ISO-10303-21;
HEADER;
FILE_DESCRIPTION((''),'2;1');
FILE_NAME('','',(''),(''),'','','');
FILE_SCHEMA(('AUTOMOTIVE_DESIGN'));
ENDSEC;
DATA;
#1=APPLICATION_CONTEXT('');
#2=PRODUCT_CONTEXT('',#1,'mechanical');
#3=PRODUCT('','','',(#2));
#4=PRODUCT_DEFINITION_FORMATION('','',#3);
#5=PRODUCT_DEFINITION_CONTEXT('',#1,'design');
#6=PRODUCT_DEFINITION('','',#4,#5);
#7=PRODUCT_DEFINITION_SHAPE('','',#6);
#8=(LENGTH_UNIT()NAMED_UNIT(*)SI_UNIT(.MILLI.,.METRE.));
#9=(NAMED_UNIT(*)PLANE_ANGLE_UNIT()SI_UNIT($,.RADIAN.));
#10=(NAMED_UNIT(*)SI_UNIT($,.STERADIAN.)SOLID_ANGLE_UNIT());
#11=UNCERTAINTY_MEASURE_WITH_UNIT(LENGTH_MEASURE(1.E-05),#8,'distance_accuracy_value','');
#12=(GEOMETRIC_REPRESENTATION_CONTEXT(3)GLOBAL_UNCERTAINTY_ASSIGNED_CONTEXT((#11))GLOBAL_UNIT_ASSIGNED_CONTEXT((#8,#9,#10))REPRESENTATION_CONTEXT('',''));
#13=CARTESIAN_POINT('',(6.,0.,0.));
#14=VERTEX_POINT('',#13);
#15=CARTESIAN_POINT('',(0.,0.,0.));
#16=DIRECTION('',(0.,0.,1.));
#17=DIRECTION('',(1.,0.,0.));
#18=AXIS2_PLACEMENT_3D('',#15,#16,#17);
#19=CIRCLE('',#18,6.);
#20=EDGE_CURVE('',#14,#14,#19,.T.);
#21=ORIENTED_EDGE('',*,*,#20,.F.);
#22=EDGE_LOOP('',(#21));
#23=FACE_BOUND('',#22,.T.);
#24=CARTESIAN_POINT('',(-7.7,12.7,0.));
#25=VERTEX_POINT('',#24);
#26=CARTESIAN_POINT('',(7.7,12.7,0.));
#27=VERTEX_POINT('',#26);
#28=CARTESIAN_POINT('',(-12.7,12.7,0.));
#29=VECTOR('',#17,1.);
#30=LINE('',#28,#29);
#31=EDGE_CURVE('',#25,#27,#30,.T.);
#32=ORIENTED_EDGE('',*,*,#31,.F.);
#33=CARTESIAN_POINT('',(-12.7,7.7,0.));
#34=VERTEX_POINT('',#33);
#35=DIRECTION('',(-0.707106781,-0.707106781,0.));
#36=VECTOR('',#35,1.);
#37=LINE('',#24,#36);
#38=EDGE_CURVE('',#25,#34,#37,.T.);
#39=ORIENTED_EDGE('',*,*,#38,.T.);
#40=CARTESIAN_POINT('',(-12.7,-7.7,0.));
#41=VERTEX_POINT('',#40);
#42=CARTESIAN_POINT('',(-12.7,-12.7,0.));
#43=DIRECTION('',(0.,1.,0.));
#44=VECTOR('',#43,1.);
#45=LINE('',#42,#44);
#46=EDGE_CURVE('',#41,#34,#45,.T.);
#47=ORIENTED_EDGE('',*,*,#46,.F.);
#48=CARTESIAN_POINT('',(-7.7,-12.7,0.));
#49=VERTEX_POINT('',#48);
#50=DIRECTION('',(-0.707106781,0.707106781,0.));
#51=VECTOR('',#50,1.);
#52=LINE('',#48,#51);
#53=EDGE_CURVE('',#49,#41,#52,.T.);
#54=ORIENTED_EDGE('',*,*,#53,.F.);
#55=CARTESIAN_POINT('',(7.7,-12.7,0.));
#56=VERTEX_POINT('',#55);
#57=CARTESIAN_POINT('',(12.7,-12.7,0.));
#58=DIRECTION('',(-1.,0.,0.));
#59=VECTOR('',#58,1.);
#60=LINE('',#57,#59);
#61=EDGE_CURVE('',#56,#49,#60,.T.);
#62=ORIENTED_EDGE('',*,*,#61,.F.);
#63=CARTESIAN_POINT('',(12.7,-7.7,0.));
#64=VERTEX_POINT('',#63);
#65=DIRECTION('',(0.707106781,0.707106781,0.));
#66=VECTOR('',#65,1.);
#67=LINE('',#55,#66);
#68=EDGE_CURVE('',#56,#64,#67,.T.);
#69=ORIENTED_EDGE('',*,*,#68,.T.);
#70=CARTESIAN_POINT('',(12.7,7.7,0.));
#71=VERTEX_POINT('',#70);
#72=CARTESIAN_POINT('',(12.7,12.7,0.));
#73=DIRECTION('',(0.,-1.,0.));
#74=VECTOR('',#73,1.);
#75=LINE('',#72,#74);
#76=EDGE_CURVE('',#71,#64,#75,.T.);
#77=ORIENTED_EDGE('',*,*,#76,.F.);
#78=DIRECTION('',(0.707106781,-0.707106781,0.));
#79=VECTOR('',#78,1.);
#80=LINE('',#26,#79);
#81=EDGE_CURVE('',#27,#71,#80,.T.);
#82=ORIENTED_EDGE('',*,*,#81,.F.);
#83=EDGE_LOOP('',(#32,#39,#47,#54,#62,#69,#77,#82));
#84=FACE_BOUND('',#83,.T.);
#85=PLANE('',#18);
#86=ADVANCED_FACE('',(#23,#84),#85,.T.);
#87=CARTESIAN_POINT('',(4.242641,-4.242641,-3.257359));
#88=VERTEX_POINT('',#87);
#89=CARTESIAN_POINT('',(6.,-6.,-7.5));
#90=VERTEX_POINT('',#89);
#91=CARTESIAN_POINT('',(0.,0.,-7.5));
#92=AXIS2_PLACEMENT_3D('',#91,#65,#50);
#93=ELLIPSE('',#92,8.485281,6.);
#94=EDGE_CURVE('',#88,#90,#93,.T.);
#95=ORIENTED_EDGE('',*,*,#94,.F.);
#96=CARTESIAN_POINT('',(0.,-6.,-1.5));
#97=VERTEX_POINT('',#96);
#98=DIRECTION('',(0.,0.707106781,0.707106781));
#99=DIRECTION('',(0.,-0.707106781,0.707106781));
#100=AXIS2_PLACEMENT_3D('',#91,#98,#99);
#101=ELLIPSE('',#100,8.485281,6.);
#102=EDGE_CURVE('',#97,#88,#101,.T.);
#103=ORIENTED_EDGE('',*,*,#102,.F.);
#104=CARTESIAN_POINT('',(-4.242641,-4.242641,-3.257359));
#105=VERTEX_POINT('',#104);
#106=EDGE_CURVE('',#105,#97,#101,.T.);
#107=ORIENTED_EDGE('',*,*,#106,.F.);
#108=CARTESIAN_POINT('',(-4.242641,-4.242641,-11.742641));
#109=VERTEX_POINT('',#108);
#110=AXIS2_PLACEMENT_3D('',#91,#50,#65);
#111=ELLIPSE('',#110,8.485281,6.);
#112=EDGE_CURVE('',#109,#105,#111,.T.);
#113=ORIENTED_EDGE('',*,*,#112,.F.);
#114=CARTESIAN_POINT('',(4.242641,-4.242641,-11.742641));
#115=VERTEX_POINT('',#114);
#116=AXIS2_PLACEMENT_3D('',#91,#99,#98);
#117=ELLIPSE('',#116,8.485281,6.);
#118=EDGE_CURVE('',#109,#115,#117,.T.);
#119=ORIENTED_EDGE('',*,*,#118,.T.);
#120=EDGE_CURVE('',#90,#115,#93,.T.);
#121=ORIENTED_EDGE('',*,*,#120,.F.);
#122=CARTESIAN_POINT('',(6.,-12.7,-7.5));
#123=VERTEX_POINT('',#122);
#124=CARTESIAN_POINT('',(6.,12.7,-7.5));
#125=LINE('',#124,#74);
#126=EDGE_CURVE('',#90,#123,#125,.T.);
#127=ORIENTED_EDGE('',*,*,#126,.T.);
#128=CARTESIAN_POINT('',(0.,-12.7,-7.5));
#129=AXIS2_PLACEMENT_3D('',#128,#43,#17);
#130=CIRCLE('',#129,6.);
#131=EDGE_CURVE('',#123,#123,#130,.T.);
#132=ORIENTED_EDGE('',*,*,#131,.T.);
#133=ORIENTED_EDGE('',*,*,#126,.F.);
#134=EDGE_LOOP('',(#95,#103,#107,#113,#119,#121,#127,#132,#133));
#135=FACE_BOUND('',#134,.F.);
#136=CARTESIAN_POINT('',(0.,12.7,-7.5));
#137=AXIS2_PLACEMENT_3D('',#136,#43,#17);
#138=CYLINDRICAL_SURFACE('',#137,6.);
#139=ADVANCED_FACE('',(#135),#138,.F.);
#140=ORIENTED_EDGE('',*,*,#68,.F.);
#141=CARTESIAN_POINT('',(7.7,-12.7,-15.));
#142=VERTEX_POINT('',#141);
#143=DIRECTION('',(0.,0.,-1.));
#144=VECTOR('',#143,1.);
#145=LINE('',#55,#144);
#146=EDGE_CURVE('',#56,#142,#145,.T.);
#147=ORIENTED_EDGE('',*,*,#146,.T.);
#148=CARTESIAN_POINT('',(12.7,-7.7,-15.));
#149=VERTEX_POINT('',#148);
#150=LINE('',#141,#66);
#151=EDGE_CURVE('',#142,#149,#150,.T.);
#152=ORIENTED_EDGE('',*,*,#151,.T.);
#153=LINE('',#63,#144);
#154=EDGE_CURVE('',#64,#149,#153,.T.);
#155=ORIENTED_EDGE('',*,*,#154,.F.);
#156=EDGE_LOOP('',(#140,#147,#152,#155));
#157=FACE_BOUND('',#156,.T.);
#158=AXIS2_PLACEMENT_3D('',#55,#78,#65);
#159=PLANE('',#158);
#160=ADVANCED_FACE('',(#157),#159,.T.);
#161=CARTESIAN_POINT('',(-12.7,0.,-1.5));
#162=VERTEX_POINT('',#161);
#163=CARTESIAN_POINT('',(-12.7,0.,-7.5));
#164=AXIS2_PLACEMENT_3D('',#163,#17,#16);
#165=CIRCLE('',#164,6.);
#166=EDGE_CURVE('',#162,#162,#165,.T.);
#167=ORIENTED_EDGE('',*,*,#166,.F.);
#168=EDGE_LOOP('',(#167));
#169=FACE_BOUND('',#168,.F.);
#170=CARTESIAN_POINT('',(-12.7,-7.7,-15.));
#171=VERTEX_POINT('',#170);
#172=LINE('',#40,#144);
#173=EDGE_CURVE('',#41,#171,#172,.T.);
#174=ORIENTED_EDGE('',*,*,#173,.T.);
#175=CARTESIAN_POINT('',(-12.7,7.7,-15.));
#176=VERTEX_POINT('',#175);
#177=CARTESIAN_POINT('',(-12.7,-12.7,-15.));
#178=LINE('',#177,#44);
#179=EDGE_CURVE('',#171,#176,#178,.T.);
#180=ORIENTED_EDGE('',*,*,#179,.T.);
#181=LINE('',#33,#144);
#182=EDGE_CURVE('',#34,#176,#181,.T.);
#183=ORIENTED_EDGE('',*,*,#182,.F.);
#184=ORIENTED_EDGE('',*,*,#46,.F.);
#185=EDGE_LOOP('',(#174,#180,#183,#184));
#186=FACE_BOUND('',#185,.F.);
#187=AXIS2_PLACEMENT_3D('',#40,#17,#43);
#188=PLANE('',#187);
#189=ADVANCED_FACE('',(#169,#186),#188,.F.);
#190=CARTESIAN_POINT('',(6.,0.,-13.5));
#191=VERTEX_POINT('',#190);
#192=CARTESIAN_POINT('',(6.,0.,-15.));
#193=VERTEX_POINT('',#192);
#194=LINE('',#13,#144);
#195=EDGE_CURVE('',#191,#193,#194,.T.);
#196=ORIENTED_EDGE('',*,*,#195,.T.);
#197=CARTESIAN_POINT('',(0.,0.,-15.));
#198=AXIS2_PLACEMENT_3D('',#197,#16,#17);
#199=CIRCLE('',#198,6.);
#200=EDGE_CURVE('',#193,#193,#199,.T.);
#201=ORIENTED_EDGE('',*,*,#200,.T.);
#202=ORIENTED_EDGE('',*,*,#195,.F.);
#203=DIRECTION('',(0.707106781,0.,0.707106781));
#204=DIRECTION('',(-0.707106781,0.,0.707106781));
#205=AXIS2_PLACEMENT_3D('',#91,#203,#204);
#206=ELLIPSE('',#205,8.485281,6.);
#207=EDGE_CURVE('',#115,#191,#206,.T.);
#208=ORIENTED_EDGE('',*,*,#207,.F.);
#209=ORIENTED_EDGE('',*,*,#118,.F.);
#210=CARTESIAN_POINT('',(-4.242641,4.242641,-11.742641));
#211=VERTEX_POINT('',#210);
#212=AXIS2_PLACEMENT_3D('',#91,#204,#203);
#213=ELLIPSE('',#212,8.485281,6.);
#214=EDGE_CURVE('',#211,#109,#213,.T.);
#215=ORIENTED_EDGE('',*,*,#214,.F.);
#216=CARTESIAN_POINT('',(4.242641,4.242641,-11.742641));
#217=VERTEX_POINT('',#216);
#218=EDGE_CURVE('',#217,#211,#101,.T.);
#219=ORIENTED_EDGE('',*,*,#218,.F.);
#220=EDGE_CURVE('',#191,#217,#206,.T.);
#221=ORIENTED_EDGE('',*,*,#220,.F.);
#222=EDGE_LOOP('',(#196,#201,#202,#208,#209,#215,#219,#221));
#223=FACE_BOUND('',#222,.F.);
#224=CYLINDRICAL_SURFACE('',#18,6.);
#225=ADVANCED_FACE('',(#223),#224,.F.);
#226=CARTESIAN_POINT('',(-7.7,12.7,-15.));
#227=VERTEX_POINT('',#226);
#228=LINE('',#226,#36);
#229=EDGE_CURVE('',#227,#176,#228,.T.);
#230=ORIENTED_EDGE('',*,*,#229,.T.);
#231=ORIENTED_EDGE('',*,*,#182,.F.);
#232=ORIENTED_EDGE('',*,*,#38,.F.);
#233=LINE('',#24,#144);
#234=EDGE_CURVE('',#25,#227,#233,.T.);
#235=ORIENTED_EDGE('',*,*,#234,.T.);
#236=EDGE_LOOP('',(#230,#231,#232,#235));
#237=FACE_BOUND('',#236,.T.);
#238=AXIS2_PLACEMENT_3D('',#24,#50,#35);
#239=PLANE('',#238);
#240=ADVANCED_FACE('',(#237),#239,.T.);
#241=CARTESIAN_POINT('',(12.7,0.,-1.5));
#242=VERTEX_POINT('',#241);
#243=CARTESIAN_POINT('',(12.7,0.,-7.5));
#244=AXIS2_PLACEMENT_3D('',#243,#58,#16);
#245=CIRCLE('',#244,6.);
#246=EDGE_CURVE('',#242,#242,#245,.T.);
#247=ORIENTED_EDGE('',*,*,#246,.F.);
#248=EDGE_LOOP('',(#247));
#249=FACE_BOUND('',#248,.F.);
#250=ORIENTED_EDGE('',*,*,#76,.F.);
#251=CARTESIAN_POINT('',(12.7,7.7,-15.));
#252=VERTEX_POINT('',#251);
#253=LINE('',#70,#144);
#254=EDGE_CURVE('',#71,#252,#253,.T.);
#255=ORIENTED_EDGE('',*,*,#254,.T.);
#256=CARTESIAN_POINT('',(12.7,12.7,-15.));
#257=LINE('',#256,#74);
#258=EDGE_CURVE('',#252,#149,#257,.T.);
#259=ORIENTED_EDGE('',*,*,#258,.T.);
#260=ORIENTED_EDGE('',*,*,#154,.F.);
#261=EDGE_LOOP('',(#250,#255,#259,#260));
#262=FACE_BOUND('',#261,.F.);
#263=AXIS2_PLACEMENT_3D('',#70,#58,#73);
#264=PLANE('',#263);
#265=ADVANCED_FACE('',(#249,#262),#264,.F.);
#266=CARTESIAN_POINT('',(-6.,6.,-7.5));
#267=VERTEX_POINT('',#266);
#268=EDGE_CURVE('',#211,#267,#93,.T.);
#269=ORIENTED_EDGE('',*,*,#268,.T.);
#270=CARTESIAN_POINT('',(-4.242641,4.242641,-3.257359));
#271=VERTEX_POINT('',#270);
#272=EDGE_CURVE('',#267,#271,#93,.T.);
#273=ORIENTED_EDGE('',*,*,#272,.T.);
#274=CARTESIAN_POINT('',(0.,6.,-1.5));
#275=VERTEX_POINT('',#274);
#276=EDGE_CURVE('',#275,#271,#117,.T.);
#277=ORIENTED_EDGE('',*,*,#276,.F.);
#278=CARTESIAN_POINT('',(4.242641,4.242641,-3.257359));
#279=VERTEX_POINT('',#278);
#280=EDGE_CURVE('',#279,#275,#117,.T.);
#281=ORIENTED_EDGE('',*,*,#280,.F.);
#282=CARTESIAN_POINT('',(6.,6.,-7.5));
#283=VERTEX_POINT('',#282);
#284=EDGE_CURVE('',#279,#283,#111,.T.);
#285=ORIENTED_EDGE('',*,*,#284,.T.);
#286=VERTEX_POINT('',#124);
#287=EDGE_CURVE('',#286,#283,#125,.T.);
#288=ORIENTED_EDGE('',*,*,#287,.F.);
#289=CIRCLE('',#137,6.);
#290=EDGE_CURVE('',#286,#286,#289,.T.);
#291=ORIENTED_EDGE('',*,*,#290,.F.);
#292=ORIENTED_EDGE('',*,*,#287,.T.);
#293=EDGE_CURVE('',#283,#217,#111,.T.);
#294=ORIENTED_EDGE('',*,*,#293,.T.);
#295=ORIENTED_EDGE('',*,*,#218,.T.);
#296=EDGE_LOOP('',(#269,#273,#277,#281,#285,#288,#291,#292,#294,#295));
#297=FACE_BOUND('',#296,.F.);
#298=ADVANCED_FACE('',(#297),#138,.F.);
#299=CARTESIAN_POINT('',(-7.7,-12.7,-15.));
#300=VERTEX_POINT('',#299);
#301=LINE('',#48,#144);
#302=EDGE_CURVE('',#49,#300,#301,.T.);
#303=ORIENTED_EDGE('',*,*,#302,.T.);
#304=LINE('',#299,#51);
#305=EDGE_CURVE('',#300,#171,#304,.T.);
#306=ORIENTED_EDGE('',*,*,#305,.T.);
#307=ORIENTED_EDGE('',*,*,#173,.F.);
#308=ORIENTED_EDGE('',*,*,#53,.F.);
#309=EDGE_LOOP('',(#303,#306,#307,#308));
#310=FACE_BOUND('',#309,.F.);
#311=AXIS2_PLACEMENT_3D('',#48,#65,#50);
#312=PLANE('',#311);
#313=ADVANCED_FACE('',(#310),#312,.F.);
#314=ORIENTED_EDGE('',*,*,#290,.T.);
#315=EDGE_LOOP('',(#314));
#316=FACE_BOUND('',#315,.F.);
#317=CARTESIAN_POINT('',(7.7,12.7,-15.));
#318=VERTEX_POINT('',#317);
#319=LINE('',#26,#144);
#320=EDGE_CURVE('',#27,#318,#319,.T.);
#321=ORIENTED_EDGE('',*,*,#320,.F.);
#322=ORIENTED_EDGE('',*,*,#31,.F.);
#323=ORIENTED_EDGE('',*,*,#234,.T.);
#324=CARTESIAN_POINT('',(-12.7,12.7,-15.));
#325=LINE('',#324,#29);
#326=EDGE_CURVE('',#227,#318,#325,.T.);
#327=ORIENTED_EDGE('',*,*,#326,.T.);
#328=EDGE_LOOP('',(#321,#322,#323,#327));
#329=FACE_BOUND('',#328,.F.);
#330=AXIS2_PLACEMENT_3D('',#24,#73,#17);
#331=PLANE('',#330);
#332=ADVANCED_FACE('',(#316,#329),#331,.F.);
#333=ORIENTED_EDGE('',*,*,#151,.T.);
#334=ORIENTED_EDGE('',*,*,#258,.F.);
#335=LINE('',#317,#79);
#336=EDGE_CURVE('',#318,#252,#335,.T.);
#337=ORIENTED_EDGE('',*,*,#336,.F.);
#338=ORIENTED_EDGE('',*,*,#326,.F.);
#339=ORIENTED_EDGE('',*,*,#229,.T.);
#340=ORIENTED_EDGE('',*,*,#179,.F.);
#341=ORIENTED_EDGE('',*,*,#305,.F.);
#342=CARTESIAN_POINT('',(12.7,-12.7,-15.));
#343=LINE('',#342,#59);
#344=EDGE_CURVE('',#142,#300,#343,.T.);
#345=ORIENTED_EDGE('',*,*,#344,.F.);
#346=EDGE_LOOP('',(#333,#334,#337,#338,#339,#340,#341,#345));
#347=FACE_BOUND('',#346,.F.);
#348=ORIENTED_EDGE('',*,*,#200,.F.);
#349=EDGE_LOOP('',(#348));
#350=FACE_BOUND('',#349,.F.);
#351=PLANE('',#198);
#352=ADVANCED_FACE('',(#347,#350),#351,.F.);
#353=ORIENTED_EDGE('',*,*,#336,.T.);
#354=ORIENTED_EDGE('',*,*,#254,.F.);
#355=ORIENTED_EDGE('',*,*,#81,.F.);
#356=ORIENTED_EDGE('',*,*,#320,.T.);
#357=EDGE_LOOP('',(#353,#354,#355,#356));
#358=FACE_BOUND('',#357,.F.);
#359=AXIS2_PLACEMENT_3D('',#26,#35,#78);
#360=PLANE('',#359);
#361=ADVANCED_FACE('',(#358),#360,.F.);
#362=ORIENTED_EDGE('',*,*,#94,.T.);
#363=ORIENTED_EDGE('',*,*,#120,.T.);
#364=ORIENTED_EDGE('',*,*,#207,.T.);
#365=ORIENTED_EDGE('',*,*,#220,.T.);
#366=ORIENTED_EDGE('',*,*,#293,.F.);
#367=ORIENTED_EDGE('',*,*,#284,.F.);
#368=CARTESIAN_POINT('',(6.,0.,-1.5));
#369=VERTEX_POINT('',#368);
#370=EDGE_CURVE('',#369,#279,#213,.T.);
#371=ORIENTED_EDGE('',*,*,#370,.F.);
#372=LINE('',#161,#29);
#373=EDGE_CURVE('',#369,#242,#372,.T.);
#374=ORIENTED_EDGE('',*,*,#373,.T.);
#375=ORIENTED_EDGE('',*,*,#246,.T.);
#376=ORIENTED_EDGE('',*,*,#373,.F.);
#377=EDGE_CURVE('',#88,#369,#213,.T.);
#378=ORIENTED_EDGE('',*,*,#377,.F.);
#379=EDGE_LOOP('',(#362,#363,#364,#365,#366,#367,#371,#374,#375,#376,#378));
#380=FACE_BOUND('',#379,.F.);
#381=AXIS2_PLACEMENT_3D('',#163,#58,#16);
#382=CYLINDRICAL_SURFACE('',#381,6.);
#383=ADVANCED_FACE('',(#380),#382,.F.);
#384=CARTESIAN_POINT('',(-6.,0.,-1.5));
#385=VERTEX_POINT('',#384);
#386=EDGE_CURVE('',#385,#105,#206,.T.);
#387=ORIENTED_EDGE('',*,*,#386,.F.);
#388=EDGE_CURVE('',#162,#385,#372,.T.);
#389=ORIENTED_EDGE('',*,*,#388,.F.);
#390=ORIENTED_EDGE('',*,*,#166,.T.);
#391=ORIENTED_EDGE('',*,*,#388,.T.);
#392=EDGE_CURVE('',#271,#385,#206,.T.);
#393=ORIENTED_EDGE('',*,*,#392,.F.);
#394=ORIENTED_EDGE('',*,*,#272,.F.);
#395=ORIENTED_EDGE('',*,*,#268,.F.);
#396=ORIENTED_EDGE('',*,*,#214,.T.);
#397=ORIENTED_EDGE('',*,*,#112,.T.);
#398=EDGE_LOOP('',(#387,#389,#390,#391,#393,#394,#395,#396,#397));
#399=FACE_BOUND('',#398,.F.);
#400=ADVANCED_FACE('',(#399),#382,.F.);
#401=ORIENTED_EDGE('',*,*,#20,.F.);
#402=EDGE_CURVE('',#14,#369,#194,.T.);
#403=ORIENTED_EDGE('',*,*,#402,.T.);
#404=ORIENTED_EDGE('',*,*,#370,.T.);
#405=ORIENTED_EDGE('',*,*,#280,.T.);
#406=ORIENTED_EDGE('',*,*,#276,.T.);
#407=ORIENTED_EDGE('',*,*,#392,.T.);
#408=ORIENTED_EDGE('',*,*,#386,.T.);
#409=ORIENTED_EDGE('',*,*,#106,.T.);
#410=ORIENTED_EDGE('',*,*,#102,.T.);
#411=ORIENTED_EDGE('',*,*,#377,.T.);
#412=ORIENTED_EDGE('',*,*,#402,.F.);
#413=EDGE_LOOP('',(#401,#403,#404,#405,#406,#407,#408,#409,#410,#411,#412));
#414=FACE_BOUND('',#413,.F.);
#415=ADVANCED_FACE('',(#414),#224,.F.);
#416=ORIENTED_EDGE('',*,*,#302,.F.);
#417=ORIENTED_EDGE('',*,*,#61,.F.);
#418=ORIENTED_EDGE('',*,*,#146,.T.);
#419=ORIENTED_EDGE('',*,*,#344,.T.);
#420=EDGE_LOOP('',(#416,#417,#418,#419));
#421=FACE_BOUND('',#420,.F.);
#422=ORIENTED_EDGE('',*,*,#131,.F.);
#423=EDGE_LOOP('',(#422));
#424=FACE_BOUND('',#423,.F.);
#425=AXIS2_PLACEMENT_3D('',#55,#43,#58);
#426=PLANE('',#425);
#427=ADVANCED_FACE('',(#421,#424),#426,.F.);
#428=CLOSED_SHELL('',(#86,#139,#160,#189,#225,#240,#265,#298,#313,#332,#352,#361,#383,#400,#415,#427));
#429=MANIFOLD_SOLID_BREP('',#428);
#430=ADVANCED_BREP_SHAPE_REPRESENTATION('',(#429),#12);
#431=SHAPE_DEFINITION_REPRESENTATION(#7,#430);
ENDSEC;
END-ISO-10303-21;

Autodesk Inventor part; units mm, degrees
ref_plane "YZ Plane" through (0, 0, 0) normal (1, 0, 0) x (0, 1, 0)
ref_plane "XY Plane" through (0, 0, 0) normal (0, 0, 1) x (1, 0, 0)
sketch "Sketch1" plane through (0, 0, 0) normal (0, 0, 1) x (1, 0, 0)
  line L0 (-12.7, 12.7) -> (12.7, 12.7)
  line L1 (12.7, 12.7) -> (12.7, -12.7)
  line L2 (12.7, -12.7) -> (-12.7, -12.7)
  line L3 (-12.7, -12.7) -> (-12.7, 12.7)
  line L4 (-12.7, 12.7) -> (12.7, -12.7) construction
  line L5 (12.7, 12.7) -> (-12.7, -12.7) construction
  line L6 (7.7, -12.7) -> (12.7, -7.7)
  line L7 (0, -18.7345) -> (0, 15.4172) construction
  line L8 (-17.0055, 0) -> (21.2173, 0) construction
  line L9 (-7.7, -12.7) -> (-12.7, -7.7)
  line L10 (7.7, 12.7) -> (12.7, 7.7)
  line L11 (-7.7, 12.7) -> (-12.7, 7.7)
  circle A0 centre (0, 0) radius 6
  dimension "d0" = 25.4
  dimension "d1" = 25.4
  dimension "d2" = 5
  dimension "d3" = 5
  dimension "d4" = 12
  dimension "d14" = 12.7
  dimension "d15" = 28.85
  dimension "d16" = 8.5173
  dimension "d17" = 0
  dimension "d18" = 0
  dimension "d19" = 5
  dimension "d20" = 0
  dimension "d21" = 3.5234
  dimension "d22" = 27.6723
  dimension "d23" = 20.4
  dimension "d24" = 10.8894
  dimension "d25" = 20.4
  dimension "d26" = 28.85
  dimension "d27" = 25.4
  dimension "d28" = 17.9605
  dimension "d29" = 25.4
  dimension "d30" = 28.85
  dimension "d31" = 29.7055
extrude "Extrusion1" add sketch "Sketch1" against normal blind 15 contours L0 L10 L1 L6 L2 L9 L3 L11
sketch "Sketch2" plane through (-7.7, 12.7, 0) normal (0, 1, 0) x (1, 0, 0)
  line L0 (15.4, 0) -> (0, 0) projected
  circle A0 centre (7.7, 7.5) radius 6
  point P0 (7.7, 0)
  point P1 (7.7, 0)
  dimension "d7" = 7.5
  dimension "d8" = 12
  dimension "d32" = 7.5
extrude "Extrusion3" cut sketch "Sketch2" against normal through all
sketch "Sketch3" plane through (-12.7, -7.7, 0) normal (-1, 0, 0) x (0, 0, 1)
  line L0 (-7.5, 7.7) -> (-1.5, 1.7) projected
  circle A0 centre (-7.5, 7.7) radius 6
  point P0 (0, 7.7)
  dimension "d35" = 12
extrude "Extrusion4" cut sketch "Sketch3" against normal through all
thread "Thread1" size "M12x1.5" class "6H" standard "ANSI Metric M Profile" full length
thread "Thread2" size "M12x1.5" class "6H" standard "ANSI Metric M Profile" full length
thread "Thread3" size "M12x1.5" class "6H" standard "ANSI Metric M Profile" full length
thread "Thread4" size "M12x1.5" class "6H" standard "ANSI Metric M Profile" full length
ref_plane "Work Plane1" through (0, 0, 0) normal (0, 1, 0) x (-1, 0, 0)
properties part number "nut" material "Stainless Steel"
